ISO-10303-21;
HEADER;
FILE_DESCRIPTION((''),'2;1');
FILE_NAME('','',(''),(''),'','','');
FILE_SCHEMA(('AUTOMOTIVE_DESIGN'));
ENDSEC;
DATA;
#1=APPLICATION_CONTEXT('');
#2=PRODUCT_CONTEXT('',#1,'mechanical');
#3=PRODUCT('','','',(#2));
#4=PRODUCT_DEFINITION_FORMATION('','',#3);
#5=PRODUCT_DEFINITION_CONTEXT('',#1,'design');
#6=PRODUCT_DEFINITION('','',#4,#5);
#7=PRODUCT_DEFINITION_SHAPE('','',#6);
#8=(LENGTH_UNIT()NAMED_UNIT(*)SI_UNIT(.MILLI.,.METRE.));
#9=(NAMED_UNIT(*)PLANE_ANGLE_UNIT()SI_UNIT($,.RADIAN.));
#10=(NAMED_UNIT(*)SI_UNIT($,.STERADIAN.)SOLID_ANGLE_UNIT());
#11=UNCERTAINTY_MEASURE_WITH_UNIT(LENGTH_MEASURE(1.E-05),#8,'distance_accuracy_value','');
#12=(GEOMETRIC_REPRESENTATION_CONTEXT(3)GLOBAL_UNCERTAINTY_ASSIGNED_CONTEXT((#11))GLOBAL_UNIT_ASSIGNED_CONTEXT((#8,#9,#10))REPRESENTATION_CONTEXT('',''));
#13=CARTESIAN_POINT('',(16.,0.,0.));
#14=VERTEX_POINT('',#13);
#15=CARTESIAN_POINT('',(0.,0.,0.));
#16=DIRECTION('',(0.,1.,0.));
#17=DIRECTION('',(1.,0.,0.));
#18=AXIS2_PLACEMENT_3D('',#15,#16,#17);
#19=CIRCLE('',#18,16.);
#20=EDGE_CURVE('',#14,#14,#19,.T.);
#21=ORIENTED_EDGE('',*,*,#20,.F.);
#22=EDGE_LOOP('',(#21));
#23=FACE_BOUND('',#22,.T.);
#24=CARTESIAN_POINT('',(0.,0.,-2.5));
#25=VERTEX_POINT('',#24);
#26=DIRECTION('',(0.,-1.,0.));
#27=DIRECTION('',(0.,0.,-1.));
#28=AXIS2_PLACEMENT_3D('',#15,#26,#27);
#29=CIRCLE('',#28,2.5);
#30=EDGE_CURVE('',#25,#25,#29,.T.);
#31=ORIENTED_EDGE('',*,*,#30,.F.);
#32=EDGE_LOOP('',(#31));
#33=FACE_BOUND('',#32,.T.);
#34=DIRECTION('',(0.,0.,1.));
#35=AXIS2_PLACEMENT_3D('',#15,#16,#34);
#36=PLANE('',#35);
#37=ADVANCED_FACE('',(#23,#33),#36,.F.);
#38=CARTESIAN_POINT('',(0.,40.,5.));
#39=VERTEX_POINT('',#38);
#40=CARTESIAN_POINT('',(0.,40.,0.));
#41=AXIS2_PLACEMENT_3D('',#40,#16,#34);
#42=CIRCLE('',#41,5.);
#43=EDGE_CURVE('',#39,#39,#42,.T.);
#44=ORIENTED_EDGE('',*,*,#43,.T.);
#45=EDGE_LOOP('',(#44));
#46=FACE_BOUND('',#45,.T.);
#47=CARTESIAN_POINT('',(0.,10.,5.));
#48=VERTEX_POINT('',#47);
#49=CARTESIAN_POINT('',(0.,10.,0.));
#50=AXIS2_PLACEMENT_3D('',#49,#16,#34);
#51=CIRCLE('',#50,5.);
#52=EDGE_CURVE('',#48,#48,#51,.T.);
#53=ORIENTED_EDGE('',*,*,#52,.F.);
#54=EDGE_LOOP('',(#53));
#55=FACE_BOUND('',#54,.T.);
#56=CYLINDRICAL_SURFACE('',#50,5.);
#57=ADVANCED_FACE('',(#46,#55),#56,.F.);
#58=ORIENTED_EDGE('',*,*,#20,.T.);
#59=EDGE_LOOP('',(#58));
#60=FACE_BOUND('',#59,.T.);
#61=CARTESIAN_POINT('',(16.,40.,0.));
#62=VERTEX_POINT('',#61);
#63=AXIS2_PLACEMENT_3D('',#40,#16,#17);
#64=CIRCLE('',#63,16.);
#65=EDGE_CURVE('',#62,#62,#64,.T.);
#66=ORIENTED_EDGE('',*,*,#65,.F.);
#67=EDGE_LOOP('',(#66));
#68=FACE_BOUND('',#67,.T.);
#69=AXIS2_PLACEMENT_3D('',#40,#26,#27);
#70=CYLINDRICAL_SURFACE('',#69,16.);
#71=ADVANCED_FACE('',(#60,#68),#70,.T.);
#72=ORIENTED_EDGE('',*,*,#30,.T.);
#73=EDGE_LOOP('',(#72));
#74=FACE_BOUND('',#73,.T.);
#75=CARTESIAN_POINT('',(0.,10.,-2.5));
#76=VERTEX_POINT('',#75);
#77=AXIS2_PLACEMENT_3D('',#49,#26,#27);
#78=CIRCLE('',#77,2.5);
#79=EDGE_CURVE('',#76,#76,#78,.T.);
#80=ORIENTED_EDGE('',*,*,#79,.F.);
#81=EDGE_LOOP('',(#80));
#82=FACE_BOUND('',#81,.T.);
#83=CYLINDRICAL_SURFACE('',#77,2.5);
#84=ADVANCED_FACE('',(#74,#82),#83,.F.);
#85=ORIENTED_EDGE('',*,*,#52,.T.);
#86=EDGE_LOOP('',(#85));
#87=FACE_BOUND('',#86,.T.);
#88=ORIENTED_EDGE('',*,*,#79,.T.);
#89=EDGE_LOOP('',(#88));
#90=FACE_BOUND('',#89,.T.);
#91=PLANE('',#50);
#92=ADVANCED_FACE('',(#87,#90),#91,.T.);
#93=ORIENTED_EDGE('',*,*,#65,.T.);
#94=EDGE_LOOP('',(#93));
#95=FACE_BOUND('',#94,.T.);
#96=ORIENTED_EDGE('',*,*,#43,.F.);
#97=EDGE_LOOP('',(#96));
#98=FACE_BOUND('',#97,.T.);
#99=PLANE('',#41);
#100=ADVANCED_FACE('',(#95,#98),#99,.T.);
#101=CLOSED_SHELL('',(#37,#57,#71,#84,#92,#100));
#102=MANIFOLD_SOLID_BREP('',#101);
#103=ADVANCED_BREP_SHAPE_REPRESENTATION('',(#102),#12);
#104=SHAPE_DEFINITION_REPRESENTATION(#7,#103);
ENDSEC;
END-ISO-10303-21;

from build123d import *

# Parameters (mm, degrees)
SKETCH_1_R          = 6
EXTRUDE_1_DEPTH     = 40
SKETCH_2_R          = 5
CUT_EXTRUDE_2_DEPTH = 30
SKETCH_3_R          = 2.5
CUT_EXTRUDE_4_DEPTH = 10
SKETCH_5_R          = 16
SKETCH_5_R_2        = 6
EXTRUDE_1_2_DEPTH   = 40


with BuildPart() as part:
    # 草圖1 → Extrude 1 (new body)
    with BuildSketch(Plane(origin=(0, 0, 0), x_dir=(1, 0, 0), z_dir=(0, 1, 0))):
        with Locations(Location((0, 0, 0), (0, 0, 270))):
            Circle(SKETCH_1_R)
    extrude(amount=EXTRUDE_1_DEPTH)

    # 草圖2 → 除料-伸長2 (cut)
    with BuildSketch(Plane(origin=(0, 40, 0), x_dir=(1, 0, 0), z_dir=(0, 1, 0))):
        with Locations(Location((0, 0, 0), (0, 0, 270))):
            Circle(SKETCH_2_R)
    extrude(amount=-CUT_EXTRUDE_2_DEPTH, mode=Mode.SUBTRACT)

    # 草圖3 → 除料-伸長4 (cut)
    with BuildSketch(Plane.XZ):
        with Locations(Location((0, 0, 0), (0, 0, 270))):
            Circle(SKETCH_3_R)
    extrude(amount=-CUT_EXTRUDE_4_DEPTH, mode=Mode.SUBTRACT)

    # 草圖5 → Extrude 1 2 (add)
    with BuildSketch(Plane(origin=(0, 0, 0), x_dir=(1, 0, 0), z_dir=(0, 1, 0))):
        Circle(SKETCH_5_R)
        Circle(SKETCH_5_R_2, mode=Mode.SUBTRACT)
    extrude(amount=EXTRUDE_1_2_DEPTH)


solid = part.part
